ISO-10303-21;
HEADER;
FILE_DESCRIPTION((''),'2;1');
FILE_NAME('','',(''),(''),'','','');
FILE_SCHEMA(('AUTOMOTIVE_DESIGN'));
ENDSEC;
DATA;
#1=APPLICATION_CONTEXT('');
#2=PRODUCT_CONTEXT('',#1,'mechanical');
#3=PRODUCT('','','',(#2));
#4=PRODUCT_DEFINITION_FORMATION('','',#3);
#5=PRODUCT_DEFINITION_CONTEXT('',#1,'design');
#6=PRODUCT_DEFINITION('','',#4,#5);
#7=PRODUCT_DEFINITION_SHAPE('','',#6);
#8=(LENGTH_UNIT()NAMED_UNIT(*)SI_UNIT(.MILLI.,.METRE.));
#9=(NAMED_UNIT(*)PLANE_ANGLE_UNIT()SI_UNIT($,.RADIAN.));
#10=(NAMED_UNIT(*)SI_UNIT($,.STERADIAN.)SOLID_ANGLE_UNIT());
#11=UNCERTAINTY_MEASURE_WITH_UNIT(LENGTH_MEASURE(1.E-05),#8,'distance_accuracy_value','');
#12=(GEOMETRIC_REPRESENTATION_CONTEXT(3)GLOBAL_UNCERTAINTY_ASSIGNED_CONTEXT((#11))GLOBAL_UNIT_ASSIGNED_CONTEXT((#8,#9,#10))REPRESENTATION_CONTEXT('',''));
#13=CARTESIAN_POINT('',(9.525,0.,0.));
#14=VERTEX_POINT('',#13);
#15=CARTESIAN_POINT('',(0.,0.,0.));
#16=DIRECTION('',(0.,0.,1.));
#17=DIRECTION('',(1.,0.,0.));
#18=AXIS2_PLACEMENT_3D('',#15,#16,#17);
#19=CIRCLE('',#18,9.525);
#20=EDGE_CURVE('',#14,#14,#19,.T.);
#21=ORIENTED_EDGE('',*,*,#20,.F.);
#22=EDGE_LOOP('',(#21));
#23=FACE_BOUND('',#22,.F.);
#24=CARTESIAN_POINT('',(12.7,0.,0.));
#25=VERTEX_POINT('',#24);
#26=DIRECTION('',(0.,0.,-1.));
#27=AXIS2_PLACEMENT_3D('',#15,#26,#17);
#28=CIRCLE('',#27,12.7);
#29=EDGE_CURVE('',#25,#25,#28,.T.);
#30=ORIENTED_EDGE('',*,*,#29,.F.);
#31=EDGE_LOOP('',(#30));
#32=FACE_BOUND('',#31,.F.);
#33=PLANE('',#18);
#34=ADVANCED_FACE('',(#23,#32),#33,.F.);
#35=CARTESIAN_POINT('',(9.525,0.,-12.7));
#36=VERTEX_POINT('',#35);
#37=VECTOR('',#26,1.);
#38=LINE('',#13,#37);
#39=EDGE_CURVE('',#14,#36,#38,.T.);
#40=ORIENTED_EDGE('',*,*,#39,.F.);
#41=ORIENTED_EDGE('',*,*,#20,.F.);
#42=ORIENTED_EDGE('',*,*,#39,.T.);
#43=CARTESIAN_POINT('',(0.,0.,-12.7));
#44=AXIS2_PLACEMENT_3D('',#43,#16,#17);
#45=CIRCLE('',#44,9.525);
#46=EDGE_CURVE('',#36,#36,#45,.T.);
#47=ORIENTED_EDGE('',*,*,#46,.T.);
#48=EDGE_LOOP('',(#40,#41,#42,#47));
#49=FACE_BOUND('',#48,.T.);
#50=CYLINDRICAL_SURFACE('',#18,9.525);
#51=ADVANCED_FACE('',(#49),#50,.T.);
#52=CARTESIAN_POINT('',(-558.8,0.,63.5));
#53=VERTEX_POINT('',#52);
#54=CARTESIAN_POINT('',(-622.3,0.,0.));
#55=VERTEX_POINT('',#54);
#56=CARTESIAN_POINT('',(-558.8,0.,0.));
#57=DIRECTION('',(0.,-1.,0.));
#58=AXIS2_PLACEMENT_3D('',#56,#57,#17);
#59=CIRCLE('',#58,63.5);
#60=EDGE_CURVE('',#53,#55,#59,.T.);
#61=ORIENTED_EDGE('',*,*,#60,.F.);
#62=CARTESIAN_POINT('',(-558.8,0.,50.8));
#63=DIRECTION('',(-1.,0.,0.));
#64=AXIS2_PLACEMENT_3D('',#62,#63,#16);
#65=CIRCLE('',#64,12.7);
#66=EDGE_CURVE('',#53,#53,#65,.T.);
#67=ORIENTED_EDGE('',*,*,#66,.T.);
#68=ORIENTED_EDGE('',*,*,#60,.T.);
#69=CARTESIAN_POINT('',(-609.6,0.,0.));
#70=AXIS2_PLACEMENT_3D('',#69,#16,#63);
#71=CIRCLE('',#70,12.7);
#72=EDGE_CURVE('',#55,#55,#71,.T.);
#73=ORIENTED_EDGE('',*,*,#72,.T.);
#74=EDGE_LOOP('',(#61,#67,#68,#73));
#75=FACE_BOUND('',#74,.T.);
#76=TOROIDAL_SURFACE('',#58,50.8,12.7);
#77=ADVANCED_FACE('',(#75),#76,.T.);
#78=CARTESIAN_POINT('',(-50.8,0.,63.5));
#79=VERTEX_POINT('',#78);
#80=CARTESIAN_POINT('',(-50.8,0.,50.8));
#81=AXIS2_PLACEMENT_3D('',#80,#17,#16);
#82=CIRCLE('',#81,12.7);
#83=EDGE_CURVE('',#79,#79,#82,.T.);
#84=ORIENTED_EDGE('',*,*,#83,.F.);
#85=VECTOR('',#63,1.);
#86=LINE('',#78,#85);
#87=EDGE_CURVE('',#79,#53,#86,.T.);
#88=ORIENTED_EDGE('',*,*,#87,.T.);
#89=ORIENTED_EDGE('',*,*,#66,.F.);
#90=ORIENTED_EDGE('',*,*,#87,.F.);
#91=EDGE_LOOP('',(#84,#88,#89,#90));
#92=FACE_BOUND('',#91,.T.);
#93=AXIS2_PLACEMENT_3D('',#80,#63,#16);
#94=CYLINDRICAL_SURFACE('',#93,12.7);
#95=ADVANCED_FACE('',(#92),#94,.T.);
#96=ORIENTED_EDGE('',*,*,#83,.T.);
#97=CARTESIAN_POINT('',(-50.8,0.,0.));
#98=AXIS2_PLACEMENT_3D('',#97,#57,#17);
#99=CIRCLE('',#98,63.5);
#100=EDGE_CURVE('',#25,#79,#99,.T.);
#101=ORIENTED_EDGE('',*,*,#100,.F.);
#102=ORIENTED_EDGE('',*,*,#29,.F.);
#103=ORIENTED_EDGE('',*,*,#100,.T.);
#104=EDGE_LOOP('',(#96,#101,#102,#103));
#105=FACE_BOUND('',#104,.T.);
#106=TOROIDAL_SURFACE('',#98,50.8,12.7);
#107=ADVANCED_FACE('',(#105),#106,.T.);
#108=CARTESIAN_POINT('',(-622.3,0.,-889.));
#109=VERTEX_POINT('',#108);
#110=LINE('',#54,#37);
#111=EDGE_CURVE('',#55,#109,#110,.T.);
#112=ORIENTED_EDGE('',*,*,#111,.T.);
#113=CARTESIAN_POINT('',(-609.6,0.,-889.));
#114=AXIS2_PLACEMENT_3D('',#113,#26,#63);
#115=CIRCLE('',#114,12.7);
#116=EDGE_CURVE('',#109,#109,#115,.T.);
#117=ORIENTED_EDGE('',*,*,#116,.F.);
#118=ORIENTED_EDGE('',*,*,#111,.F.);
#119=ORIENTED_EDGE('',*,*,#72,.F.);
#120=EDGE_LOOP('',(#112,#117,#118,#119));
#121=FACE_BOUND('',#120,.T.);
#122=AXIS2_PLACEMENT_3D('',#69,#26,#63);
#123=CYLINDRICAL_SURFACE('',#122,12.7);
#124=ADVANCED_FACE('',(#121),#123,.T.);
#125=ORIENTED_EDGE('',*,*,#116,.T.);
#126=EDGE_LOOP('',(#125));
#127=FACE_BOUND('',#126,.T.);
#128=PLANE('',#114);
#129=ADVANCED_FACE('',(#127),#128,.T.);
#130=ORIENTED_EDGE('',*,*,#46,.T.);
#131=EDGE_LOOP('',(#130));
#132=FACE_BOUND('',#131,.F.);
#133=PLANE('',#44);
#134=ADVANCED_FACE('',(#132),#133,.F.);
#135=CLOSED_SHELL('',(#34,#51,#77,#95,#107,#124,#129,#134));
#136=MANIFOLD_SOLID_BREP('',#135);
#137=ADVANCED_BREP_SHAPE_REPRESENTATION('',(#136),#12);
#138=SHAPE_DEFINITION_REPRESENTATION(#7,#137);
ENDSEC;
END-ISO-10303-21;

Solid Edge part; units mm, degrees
sketch "Sketch1" plane through (0, 0, 0) normal (0, 0, 1) x (1, 0, 0)
  circle A0 centre (0, 0) radius 9.525
extrude "Protrusion1" add sketch "Sketch1" against normal blind 12.7
sketch "Sketch2" plane through (0, 0, 0) normal (0, -1, 0) x (1, 0, 0)
  arc A0 (0, 0) -> (-50.8, 50.8) centre (-50.8, 0) ccw
  line L0 (-50.8, 50.8) -> (-558.8, 50.8)
  arc A1 (-558.8, 50.8) -> (-609.6, 0) centre (-558.8, 0) ccw
  line L1 (-609.6, 0) -> (-609.6, -889)
  dimension "D1" = 50.8
  dimension "D2" = 50.8
  dimension "D3" = 508
  dimension "D4" = 50.8
  dimension "D5" = 889
sketch "Sketch3" plane through (0, 0, 0) normal (0, 0, 1) x (1, 0, 0)
  circle A0 centre (0, 0) radius 12.7
  dimension "D1" = 19.05
  dimension "D2" = 25.4
sweep "SweptProtrusion_1" add profiles "Sketch3" path "Sketch2"
